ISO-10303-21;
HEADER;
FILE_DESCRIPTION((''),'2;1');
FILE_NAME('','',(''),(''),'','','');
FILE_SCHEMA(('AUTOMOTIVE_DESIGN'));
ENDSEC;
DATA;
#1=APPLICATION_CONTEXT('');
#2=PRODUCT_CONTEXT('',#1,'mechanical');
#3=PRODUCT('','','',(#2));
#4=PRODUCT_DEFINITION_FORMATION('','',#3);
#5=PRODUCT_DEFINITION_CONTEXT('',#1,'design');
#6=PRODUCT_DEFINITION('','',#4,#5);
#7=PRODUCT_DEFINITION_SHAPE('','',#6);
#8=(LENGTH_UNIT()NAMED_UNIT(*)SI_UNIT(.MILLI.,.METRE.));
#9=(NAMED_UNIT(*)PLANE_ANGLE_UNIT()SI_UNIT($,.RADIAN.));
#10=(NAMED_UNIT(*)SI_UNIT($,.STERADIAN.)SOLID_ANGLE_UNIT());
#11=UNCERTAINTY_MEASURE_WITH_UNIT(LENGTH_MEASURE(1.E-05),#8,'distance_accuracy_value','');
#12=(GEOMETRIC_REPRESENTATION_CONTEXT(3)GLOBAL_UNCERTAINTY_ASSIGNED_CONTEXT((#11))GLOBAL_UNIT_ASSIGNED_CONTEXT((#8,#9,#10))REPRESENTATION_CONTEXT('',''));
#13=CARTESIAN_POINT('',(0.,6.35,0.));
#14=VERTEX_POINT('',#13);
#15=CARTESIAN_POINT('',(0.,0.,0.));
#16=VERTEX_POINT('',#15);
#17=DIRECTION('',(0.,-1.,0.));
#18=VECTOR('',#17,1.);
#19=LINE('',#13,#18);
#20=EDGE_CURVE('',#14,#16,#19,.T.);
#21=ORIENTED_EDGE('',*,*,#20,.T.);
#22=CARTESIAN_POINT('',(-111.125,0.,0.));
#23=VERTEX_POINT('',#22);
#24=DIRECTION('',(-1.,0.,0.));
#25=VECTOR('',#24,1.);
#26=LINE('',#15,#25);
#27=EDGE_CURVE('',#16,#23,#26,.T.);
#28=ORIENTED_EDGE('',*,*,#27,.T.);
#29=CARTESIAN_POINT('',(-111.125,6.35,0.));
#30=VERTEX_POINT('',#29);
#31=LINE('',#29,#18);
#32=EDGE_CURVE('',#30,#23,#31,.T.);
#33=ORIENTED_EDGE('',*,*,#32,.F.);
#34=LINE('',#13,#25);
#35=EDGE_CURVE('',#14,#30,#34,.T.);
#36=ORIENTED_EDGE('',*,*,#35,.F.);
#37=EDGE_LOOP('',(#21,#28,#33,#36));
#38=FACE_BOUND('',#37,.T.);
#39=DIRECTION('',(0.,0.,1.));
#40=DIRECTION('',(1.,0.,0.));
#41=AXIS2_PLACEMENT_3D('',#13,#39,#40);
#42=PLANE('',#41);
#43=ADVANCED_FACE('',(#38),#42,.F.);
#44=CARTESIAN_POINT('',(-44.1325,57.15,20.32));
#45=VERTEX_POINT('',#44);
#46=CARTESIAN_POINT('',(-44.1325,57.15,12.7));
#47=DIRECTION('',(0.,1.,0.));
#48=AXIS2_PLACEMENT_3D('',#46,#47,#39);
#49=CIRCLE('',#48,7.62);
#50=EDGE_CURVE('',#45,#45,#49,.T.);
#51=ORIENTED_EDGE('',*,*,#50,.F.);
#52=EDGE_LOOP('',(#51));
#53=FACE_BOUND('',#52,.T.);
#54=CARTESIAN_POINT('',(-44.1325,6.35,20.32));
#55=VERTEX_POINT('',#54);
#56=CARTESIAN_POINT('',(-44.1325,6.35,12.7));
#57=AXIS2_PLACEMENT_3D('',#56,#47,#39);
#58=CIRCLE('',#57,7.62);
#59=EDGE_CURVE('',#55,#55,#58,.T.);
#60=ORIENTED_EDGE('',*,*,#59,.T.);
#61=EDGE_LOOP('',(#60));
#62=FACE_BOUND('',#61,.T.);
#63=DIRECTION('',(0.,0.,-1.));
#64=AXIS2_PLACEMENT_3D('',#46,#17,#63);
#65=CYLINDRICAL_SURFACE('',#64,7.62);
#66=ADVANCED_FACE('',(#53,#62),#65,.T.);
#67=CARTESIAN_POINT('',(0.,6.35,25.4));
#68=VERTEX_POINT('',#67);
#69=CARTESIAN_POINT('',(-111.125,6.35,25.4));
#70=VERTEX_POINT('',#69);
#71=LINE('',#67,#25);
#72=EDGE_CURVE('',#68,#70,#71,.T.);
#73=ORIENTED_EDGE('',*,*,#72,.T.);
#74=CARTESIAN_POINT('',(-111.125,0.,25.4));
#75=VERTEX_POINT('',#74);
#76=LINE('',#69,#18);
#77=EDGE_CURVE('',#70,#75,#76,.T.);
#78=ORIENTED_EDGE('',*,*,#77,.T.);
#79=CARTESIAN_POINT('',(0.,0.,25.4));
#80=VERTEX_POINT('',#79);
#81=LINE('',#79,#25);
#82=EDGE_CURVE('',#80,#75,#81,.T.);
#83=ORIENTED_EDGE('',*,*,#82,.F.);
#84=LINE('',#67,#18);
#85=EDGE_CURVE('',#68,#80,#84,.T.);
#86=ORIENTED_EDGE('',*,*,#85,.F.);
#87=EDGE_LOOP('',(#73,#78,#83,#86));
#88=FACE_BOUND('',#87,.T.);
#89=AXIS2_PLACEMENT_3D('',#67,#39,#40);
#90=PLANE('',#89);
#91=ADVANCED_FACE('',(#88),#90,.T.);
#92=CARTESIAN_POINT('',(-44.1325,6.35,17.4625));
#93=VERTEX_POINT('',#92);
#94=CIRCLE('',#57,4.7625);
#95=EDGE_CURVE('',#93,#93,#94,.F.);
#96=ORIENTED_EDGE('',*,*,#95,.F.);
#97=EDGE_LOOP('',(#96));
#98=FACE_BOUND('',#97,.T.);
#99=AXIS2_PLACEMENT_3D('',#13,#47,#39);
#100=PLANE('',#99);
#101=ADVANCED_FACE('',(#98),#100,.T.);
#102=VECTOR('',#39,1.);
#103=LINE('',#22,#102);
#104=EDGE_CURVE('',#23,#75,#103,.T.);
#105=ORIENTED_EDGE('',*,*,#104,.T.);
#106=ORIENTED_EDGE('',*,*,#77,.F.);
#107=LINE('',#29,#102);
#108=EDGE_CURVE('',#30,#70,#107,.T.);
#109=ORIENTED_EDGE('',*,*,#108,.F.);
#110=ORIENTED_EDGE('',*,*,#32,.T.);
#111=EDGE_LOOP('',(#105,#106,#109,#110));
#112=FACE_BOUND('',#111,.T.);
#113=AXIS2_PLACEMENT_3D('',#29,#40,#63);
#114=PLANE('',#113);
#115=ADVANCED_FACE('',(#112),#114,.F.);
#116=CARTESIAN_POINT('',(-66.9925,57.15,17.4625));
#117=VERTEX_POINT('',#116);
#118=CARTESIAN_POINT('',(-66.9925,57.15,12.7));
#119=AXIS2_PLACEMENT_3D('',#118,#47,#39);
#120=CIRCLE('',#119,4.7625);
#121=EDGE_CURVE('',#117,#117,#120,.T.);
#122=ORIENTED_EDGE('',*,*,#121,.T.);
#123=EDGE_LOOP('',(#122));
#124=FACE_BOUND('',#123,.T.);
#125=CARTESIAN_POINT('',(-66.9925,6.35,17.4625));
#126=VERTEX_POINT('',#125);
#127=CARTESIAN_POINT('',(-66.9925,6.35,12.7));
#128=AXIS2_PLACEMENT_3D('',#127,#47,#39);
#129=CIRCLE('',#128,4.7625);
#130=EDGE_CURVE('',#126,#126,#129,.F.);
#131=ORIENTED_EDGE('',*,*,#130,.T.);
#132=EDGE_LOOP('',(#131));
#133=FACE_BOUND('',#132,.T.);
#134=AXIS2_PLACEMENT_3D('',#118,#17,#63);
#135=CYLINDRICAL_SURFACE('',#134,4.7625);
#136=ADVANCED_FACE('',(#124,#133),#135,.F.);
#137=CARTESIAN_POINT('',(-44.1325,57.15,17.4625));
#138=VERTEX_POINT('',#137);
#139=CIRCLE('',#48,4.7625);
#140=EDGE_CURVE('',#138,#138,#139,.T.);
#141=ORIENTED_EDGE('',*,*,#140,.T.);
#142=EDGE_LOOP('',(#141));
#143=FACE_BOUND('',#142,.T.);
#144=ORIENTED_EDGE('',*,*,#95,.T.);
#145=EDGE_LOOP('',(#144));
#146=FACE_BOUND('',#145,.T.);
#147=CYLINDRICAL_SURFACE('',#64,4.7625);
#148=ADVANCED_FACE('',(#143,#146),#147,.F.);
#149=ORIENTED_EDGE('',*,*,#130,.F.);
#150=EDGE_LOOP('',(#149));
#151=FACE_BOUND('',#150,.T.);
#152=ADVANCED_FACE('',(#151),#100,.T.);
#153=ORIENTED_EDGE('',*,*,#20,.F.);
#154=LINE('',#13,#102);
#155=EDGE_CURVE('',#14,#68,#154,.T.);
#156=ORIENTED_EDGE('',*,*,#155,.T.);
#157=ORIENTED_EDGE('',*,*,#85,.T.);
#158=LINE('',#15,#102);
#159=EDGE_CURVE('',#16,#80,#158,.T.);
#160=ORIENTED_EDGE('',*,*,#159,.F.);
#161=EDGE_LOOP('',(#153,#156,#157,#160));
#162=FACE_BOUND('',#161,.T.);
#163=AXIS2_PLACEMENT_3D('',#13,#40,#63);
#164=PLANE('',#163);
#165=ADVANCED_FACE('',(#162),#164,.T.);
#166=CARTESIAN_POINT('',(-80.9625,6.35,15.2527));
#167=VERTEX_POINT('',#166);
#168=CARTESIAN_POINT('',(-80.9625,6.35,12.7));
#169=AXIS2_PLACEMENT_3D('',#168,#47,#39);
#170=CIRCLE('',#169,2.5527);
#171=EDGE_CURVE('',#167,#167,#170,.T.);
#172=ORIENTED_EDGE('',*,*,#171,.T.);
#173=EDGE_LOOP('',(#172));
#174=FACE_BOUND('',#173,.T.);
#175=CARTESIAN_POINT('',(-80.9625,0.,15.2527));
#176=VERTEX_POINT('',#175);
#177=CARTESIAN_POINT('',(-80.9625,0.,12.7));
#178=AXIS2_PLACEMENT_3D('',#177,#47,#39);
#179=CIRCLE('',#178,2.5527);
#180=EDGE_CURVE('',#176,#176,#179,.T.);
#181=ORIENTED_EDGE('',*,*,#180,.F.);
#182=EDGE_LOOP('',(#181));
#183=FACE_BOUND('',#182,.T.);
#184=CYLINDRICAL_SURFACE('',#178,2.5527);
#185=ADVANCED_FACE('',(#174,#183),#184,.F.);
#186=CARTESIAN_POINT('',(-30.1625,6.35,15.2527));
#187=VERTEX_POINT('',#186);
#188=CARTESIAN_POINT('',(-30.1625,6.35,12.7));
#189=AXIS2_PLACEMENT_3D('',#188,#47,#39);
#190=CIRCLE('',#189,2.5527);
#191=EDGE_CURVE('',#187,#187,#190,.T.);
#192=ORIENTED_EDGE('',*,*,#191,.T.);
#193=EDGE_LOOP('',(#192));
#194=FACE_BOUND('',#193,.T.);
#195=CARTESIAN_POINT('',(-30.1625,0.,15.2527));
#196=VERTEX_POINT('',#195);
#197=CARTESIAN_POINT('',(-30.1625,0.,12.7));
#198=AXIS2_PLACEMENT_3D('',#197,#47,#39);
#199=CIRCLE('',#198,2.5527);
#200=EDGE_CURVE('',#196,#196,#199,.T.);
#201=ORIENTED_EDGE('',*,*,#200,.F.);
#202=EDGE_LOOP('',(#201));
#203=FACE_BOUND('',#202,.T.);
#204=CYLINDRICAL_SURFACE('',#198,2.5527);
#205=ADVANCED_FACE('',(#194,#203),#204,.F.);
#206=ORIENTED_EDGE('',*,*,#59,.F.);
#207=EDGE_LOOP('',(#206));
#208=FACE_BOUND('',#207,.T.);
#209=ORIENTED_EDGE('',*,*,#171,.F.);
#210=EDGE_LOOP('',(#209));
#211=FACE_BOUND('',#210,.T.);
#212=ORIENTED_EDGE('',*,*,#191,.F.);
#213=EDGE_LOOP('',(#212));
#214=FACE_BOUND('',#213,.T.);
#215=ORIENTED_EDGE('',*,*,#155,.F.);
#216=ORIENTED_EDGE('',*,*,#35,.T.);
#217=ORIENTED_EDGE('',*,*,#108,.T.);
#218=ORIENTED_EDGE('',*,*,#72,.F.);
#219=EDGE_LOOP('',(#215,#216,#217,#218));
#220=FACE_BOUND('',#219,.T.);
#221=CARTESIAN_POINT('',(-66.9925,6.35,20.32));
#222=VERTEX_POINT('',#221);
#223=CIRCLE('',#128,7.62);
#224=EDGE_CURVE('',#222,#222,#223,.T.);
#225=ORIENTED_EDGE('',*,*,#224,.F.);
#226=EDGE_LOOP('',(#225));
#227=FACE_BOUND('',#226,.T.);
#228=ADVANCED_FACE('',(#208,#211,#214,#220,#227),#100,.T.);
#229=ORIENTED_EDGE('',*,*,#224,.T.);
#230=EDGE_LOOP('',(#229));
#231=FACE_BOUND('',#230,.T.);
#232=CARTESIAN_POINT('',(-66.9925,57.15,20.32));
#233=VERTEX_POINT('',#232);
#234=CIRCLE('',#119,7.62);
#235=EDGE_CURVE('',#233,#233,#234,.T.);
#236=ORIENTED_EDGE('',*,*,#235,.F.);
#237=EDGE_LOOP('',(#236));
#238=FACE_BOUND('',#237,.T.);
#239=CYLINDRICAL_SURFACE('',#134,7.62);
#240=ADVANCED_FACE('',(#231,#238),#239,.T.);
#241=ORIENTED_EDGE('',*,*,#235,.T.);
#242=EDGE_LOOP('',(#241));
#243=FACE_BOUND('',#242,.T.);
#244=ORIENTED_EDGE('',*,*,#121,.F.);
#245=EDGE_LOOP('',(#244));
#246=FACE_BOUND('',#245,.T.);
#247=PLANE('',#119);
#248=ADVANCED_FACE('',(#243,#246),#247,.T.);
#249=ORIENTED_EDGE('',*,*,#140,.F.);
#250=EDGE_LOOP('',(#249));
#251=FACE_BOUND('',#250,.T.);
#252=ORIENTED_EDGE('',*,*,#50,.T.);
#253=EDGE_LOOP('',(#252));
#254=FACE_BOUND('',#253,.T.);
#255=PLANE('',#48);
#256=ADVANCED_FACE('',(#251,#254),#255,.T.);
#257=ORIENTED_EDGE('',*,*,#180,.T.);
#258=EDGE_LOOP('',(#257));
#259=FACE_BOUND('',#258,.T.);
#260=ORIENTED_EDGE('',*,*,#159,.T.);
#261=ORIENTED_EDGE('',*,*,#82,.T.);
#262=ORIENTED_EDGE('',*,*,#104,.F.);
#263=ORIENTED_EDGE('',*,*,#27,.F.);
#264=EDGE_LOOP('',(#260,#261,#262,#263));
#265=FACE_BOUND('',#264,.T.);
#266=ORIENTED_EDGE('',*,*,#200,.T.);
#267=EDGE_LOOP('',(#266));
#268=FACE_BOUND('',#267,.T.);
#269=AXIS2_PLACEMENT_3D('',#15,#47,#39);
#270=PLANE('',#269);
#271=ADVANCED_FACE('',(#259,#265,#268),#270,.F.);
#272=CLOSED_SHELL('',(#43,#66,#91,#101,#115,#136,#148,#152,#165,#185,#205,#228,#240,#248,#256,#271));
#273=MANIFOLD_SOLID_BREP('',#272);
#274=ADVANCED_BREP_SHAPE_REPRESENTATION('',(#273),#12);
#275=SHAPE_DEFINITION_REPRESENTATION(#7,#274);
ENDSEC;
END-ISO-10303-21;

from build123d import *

# Parameters (mm, degrees)
SKETCH1_W           = 111.125
SKETCH1_H           = 25.4
BOSS_EXTRUDE1_DEPTH = 6.35
SKETCH2_R           = 7.62
SKETCH2_R_2         = 4.7625
BOSS_EXTRUDE2_DEPTH = 50.8
SKETCH2_9_R         = 2.5527
CUT_EXTRUDE1_DEPTH  = 125.798099445


with BuildPart() as part:
    # Sketch1 → Boss-Extrude1 (new body)
    with BuildSketch(Plane(origin=(0, 0, 0), x_dir=(1, 0, 0), z_dir=(0, 1, 0))):
        with Locations((-55.5625, -12.7)):
            Rectangle(SKETCH1_W, SKETCH1_H)
    extrude(amount=BOSS_EXTRUDE1_DEPTH)

    # Sketch2 → Boss-Extrude2 (add)
    # profile 1 of 2: a face of its own
    with BuildSketch(Plane(origin=(0, 6.35, 0), x_dir=(1, 0, 0), z_dir=(0, 1, 0))):
        with Locations((-44.1325, -12.7)):
            Circle(SKETCH2_R)
        with Locations((-44.1325, -12.7)):
            Circle(SKETCH2_R_2, mode=Mode.SUBTRACT)
    # profile 2 of 2: a face of its own
    with BuildSketch(Plane(origin=(0, 6.35, 0), x_dir=(1, 0, 0), z_dir=(0, 1, 0))):
        with Locations((-66.9925, -12.7)):
            Circle(SKETCH2_R)
        with Locations((-66.9925, -12.7)):
            Circle(SKETCH2_R_2, mode=Mode.SUBTRACT)
    extrude(amount=BOSS_EXTRUDE2_DEPTH)

    # Sketch2<9> → Cut-Extrude1 (cut, through all)
    with BuildSketch(Plane(origin=(0, 6.35, 0), x_dir=(1, 0, 0), z_dir=(0, 1, 0))):
        with Locations((-30.1625, -12.7)):
            Circle(SKETCH2_9_R)
        with Locations((-80.9625, -12.7)):
            Circle(SKETCH2_9_R)
    extrude(amount=-CUT_EXTRUDE1_DEPTH, mode=Mode.SUBTRACT)


solid = part.part
